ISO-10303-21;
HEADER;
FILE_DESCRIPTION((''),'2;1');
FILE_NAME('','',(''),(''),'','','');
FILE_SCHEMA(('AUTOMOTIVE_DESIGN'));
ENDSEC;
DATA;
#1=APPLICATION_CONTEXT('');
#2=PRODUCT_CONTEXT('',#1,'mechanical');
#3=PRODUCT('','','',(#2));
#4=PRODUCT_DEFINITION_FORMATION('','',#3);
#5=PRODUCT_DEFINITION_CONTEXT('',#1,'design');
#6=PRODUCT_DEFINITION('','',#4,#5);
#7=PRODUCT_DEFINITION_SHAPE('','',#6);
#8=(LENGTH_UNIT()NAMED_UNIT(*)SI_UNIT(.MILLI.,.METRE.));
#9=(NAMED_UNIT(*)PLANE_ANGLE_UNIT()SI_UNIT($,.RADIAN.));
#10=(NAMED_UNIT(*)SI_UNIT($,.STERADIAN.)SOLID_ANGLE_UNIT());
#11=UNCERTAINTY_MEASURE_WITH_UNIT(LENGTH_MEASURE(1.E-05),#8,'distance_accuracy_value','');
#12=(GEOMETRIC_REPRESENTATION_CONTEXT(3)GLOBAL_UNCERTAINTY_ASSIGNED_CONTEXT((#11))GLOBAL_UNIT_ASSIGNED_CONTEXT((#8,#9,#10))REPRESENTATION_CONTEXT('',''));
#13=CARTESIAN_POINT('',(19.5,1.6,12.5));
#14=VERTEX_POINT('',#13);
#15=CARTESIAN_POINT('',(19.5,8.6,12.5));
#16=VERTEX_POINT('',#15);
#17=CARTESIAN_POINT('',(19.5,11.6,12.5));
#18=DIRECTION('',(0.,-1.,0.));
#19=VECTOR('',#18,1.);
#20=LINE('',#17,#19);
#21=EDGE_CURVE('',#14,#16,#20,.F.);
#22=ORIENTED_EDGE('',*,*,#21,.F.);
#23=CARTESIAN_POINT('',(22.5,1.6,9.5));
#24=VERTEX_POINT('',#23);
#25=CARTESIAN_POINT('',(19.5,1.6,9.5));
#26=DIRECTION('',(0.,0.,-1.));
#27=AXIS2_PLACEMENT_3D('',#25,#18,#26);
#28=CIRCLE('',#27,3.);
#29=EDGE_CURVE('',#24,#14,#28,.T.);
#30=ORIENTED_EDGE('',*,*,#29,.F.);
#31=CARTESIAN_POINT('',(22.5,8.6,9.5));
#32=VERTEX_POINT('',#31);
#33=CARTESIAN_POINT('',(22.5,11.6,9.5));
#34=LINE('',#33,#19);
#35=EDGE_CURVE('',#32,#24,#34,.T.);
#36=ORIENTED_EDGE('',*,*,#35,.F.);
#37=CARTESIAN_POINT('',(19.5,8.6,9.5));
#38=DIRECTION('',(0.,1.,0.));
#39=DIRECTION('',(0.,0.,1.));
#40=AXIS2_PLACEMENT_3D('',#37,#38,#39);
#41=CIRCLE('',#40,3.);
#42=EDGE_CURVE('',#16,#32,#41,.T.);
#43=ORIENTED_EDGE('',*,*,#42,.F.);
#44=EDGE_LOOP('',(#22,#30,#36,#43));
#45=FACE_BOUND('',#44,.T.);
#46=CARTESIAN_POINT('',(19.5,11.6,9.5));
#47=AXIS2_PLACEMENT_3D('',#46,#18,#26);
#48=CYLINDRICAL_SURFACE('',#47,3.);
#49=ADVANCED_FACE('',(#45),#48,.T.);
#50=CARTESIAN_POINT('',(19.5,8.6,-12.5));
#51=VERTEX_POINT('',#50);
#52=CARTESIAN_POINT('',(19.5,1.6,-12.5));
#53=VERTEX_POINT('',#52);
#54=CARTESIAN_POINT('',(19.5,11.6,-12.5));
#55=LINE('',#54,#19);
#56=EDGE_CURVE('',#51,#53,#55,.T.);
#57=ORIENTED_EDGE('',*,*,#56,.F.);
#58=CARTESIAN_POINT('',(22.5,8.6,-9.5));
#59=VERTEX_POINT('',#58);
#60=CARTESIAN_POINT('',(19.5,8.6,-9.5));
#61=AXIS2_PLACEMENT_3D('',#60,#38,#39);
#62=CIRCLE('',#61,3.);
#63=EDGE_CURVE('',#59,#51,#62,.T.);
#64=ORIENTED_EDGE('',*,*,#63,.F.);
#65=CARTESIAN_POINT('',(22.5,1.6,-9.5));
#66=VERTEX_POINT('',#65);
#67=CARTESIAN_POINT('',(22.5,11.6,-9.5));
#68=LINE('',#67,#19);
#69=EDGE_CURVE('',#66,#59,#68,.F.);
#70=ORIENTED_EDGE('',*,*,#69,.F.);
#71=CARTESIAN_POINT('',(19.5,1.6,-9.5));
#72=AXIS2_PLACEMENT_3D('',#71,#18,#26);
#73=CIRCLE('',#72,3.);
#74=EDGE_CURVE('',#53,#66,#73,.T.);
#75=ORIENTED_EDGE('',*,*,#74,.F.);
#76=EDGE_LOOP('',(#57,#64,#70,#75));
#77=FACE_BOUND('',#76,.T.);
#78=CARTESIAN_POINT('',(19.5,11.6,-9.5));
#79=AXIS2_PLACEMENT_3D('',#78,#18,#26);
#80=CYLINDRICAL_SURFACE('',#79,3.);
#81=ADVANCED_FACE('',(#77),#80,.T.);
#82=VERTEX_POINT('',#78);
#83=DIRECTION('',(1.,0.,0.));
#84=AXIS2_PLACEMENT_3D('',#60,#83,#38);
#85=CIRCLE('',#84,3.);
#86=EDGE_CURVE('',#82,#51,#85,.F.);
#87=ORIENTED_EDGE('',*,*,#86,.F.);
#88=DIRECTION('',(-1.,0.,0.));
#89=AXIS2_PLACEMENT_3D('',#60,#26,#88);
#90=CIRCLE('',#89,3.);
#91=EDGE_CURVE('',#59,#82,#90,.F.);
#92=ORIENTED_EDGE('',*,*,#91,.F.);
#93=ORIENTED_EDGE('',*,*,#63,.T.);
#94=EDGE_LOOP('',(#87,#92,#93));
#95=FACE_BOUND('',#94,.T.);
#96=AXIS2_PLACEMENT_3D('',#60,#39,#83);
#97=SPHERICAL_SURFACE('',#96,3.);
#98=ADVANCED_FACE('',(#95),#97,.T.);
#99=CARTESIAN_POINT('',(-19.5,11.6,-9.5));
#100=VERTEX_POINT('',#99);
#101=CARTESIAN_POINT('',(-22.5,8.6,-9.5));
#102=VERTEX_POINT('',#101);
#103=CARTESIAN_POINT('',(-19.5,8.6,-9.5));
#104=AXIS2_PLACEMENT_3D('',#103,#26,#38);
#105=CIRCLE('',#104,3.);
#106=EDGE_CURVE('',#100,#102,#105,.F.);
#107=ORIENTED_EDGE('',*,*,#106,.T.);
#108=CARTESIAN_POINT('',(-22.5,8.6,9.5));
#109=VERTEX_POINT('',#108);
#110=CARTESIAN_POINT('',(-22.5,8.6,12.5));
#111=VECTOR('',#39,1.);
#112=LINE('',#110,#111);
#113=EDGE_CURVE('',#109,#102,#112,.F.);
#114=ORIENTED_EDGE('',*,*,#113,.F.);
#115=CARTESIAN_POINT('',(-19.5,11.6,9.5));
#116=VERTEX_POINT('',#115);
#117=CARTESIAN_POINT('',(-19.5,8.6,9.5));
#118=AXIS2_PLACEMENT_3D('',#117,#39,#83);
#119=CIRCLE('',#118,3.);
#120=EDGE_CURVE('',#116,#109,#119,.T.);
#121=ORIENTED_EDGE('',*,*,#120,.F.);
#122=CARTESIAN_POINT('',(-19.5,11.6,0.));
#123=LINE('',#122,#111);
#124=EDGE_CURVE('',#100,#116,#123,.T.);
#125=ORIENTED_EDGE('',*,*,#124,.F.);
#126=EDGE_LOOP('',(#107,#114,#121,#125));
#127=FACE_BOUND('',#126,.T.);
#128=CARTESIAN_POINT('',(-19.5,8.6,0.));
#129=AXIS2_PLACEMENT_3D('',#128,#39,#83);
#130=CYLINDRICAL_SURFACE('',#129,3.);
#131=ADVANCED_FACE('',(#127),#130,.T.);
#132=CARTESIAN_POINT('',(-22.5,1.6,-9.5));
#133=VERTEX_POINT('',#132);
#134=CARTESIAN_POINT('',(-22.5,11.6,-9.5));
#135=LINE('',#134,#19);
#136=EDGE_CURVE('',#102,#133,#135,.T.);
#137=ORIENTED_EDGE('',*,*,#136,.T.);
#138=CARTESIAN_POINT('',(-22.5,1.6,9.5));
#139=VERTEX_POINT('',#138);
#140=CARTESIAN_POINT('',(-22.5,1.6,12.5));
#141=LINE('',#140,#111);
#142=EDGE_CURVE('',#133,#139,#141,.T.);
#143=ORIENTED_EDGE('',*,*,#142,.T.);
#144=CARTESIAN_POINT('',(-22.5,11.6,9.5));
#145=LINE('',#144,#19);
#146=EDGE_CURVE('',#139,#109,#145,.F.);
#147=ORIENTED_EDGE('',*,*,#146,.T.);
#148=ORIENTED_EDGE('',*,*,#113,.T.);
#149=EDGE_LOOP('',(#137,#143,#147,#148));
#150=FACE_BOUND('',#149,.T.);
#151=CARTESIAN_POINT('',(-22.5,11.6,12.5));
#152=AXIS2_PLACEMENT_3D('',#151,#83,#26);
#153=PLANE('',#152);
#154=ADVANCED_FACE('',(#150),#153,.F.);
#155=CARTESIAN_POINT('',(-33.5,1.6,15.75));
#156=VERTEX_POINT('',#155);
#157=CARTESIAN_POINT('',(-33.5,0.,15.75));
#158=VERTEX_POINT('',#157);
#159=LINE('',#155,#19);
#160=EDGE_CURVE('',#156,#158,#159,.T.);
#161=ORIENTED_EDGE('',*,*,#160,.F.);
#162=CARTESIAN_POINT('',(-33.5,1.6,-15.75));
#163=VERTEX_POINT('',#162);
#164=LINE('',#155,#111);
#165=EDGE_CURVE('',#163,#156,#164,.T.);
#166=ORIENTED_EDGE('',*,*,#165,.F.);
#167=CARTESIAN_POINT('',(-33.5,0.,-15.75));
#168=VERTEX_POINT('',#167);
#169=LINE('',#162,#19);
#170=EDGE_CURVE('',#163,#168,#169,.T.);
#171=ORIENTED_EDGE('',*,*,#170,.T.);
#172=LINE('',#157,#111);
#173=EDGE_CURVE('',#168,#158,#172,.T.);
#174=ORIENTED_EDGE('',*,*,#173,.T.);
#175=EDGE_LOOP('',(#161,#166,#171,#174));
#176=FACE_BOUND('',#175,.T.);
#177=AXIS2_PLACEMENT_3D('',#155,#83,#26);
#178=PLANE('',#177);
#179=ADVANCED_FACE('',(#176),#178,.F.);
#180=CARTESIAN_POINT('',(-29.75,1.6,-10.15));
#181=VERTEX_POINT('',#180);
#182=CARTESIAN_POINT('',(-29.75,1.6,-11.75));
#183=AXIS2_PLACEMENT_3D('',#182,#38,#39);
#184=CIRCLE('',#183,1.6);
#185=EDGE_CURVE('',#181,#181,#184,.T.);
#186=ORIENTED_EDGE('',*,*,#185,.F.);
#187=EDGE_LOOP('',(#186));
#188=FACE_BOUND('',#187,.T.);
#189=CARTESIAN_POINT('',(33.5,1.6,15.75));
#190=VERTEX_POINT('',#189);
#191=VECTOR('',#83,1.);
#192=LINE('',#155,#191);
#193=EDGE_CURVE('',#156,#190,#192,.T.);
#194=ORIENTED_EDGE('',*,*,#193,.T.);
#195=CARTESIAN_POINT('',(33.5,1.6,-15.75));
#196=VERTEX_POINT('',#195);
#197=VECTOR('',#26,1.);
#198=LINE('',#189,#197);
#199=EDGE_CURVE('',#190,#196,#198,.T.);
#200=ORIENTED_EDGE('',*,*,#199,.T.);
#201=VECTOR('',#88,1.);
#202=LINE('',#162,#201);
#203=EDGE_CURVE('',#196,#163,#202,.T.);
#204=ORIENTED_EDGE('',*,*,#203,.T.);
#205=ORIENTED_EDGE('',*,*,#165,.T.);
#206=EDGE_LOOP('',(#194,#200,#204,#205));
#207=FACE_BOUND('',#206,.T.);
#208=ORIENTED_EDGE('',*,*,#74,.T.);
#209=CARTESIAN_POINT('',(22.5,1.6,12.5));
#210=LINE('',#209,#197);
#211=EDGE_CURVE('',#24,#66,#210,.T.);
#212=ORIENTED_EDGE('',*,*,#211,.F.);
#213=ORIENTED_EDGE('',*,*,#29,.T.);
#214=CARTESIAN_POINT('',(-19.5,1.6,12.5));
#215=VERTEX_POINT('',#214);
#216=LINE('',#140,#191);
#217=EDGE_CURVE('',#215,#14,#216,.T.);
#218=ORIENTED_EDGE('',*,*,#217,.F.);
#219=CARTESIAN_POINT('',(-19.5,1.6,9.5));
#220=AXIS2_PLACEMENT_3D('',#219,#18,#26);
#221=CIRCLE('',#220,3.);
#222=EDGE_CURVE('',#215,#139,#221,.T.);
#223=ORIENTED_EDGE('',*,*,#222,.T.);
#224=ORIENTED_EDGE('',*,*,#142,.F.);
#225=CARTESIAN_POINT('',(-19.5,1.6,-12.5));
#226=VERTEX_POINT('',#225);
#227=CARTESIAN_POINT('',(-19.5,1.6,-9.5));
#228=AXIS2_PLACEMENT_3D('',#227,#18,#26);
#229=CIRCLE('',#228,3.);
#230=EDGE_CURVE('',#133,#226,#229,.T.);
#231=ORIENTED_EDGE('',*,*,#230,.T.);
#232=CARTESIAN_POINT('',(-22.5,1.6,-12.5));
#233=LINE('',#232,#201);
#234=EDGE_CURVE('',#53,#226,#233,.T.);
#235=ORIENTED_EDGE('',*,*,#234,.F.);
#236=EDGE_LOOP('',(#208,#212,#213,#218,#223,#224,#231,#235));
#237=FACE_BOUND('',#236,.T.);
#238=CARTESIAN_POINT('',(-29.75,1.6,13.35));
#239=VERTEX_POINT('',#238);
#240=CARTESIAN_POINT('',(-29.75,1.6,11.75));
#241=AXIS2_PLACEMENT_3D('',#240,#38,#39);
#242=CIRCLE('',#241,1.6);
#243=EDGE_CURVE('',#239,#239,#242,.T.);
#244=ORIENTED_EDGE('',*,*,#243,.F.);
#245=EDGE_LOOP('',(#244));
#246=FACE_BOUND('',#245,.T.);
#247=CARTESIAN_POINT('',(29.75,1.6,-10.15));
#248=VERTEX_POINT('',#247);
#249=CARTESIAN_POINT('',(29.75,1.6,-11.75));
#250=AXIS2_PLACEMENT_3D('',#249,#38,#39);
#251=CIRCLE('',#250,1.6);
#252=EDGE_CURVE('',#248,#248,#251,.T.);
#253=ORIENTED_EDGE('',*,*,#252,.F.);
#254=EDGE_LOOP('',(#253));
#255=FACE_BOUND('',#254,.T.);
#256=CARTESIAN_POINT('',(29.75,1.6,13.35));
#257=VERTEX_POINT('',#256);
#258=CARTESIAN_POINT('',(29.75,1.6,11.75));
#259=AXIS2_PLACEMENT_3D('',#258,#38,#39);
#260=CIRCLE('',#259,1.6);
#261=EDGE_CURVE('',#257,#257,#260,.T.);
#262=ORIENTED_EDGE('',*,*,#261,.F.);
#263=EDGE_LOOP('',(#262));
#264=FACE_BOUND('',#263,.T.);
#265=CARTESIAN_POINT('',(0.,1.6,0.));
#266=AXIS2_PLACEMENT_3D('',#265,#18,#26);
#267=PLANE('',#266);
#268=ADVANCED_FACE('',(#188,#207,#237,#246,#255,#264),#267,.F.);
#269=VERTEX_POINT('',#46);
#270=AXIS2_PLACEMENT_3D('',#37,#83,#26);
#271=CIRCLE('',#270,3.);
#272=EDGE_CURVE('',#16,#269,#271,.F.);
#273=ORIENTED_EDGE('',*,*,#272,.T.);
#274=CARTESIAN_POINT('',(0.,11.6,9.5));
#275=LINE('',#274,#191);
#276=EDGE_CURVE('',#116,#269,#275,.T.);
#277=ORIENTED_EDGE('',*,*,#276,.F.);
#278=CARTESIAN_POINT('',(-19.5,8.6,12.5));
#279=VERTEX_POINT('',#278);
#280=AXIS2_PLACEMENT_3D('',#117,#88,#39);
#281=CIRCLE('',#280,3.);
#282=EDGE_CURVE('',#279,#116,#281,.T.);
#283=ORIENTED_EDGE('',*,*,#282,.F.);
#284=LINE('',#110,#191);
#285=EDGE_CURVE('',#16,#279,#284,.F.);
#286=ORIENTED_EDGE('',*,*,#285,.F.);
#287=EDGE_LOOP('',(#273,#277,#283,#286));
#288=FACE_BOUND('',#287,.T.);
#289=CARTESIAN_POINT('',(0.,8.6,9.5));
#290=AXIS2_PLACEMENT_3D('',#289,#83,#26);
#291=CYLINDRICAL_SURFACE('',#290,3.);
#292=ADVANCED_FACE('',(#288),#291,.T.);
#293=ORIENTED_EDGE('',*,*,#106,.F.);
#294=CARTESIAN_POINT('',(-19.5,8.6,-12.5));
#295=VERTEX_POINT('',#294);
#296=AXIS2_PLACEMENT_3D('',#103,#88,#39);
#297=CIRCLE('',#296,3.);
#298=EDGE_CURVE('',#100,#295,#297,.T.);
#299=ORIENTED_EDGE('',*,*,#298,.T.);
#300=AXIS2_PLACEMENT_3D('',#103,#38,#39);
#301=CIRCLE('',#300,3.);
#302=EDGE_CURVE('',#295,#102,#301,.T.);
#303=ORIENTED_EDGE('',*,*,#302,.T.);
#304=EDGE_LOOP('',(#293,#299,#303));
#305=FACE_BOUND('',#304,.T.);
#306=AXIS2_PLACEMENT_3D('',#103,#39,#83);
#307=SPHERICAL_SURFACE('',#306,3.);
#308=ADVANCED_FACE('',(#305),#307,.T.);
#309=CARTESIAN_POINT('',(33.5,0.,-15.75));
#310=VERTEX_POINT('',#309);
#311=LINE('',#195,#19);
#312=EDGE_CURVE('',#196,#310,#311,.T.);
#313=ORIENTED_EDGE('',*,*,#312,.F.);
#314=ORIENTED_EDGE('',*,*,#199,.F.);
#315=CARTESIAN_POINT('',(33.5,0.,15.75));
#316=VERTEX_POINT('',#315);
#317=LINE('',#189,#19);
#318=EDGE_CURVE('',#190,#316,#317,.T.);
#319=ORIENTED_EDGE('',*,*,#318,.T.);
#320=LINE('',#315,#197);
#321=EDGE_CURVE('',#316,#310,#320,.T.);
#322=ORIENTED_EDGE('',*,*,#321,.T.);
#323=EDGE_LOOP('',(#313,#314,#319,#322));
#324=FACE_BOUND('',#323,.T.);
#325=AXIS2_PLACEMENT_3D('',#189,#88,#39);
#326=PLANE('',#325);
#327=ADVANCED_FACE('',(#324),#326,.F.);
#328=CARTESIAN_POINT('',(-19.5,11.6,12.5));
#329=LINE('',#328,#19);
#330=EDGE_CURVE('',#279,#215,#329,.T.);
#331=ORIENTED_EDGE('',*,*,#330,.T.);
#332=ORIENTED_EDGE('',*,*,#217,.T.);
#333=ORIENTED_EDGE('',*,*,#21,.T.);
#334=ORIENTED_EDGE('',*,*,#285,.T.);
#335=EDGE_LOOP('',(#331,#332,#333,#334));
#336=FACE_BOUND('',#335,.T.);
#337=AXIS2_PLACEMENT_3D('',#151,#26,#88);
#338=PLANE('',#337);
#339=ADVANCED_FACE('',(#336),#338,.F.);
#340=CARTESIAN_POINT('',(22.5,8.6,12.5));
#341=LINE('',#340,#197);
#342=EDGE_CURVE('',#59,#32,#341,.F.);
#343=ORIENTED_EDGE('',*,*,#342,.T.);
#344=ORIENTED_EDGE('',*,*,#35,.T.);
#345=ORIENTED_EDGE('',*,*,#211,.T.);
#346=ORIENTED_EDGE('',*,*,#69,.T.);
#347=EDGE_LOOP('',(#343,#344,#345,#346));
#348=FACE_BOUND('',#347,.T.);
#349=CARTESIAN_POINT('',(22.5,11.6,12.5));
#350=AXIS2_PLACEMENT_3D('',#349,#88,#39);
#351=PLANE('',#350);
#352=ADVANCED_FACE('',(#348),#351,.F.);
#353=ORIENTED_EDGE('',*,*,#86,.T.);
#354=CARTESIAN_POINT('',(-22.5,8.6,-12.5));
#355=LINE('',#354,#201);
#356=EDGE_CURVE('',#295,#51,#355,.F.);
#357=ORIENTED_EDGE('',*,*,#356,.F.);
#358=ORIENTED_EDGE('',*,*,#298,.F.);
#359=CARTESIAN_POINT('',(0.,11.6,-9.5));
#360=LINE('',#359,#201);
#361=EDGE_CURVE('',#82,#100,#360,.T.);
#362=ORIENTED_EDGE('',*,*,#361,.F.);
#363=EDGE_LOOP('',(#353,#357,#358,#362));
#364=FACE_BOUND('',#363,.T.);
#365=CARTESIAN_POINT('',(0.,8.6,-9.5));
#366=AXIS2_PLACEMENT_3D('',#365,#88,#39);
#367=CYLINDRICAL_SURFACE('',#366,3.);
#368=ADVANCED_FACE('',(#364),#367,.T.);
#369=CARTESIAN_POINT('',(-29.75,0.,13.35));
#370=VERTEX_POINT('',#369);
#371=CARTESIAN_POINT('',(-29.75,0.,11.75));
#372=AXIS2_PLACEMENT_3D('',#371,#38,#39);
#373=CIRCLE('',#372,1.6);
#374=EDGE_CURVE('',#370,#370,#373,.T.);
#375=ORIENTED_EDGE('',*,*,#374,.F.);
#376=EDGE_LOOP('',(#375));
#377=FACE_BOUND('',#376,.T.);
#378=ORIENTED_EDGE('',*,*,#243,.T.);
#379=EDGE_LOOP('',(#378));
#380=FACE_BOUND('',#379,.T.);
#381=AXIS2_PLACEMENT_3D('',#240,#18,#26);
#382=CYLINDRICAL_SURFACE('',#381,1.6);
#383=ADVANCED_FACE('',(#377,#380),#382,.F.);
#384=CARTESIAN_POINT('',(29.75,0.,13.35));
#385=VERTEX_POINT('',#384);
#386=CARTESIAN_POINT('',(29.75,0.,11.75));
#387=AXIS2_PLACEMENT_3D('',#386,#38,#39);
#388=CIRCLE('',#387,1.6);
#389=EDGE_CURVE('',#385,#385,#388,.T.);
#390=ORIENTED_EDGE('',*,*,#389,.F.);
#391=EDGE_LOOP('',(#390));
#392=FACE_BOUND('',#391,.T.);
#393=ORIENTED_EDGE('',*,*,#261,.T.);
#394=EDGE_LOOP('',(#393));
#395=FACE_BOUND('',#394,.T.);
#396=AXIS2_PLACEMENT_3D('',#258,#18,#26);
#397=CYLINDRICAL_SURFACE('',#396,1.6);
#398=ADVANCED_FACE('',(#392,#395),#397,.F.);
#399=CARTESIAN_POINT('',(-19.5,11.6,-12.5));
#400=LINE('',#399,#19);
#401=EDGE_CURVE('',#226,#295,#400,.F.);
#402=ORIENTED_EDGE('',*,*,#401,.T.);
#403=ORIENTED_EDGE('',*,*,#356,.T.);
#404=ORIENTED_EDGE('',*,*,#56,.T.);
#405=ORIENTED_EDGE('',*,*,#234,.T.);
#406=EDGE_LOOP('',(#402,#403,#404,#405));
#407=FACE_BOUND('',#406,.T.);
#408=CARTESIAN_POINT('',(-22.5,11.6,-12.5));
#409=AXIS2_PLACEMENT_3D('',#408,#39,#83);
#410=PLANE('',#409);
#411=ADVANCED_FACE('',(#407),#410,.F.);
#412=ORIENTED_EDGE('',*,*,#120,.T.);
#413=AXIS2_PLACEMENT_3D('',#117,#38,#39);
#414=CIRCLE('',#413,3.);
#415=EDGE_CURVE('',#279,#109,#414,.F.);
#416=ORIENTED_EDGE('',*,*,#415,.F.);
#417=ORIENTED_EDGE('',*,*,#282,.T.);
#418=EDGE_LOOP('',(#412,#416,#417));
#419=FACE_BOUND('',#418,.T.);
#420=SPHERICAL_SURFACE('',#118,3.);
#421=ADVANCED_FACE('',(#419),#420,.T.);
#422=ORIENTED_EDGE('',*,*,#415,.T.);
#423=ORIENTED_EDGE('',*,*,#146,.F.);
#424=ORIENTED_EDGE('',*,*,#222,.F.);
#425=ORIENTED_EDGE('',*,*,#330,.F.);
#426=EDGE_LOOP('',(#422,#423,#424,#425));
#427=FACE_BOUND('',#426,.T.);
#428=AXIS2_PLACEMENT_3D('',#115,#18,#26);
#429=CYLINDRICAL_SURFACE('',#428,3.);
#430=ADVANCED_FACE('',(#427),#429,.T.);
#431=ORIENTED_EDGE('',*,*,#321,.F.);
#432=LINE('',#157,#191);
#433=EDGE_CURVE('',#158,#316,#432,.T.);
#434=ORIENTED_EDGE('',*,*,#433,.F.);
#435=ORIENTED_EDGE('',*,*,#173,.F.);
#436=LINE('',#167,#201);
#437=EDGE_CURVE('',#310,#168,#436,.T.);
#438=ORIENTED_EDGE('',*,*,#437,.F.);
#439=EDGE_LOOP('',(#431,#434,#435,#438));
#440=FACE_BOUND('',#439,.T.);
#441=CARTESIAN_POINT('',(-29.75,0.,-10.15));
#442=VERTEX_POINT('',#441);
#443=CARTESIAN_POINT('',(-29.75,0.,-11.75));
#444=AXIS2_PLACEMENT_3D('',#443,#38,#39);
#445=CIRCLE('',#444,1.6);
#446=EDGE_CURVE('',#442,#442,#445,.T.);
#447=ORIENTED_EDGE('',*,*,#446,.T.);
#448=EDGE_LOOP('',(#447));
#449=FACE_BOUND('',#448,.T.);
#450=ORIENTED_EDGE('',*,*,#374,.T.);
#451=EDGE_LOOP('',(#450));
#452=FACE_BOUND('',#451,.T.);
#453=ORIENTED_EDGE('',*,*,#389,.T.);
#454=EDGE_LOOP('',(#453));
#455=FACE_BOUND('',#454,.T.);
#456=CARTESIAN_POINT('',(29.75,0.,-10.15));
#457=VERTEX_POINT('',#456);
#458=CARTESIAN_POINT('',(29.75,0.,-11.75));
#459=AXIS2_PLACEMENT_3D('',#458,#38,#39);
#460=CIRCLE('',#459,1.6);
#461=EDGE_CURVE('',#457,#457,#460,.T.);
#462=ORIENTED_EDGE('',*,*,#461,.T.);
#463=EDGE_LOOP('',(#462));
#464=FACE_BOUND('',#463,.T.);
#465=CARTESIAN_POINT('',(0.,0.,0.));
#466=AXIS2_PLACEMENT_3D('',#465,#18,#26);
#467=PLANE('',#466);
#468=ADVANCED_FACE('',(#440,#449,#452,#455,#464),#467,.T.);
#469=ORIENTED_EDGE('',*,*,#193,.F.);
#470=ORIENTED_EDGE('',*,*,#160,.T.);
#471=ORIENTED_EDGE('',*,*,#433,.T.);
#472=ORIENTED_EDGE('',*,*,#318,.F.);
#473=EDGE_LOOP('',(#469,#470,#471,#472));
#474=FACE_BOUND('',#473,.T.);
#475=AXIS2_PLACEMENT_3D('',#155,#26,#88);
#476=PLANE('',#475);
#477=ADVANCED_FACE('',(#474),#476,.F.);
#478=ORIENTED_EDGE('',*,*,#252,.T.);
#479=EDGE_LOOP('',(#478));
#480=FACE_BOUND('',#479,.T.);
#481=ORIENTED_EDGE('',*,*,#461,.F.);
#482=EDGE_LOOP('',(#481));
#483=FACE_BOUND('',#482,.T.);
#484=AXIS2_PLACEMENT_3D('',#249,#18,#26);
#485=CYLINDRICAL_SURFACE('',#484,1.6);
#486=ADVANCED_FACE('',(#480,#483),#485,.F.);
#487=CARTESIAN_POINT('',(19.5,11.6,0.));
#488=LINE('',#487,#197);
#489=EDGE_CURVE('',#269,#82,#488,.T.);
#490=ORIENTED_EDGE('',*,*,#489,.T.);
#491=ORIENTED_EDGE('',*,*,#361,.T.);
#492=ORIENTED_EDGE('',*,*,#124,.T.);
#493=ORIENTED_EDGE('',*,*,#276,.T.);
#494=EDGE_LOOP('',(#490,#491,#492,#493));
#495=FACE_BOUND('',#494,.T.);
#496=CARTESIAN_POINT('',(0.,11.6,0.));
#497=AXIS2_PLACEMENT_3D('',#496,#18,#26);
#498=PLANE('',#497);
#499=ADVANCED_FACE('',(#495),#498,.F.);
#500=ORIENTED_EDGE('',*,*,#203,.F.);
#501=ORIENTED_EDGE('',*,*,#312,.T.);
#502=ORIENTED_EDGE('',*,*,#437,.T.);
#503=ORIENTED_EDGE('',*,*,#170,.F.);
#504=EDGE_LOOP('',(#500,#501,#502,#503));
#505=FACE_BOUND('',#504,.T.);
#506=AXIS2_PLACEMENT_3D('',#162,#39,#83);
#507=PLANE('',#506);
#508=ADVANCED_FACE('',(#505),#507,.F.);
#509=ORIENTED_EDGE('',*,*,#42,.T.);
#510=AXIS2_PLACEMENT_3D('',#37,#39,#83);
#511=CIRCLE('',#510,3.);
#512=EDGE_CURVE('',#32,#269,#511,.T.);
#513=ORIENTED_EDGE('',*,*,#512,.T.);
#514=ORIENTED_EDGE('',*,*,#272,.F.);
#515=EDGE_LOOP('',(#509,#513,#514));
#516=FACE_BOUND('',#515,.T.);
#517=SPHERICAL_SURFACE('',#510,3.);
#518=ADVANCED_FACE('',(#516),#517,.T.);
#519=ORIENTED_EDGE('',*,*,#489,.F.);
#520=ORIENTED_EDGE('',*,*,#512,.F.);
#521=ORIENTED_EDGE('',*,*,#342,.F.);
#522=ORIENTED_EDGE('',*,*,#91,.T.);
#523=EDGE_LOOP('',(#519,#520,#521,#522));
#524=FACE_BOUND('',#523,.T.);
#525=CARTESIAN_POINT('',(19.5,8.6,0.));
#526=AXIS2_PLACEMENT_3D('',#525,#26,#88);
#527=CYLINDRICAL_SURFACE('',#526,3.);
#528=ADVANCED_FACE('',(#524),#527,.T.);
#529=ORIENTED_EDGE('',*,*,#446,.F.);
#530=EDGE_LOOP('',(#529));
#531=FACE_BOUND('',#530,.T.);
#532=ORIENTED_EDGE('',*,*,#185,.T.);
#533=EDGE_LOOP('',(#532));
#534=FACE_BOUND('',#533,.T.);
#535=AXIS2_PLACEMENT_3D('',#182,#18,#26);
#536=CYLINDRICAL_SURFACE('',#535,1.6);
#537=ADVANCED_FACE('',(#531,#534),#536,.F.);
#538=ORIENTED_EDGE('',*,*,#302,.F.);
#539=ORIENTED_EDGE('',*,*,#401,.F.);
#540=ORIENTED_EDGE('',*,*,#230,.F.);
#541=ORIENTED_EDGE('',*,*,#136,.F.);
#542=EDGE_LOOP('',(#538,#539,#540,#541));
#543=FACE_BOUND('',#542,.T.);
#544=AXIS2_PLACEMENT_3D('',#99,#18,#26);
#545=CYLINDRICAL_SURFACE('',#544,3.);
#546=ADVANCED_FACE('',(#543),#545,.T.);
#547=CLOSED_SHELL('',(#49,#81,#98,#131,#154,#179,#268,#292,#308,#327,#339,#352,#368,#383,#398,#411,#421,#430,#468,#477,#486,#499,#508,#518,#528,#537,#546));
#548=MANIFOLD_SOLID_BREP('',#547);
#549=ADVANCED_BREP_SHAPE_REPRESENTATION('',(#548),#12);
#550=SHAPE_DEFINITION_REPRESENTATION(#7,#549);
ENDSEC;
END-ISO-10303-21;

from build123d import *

# Parameters (mm, degrees)
SKETCH_1_W      = 67
SKETCH_1_H      = 31.5
SKETCH_1_R      = 1.6
EXTRUDE_1_DEPTH = 1.6
SKETCH_2_W      = 45
SKETCH_2_H      = 25
EXTRUDE_2_DEPTH = 10
FILLET_1_R      = 3


with BuildPart() as part:
    # 草圖1 → 填料-伸長1 (new body)
    with BuildSketch(Plane(origin=(0, 0, 0), x_dir=(1, 0, 0), z_dir=(0, 1, 0))):
        Rectangle(SKETCH_1_W, SKETCH_1_H)
        with Locations(Location((-29.75, 11.75, 0), (0, 0, 270))):
            Circle(SKETCH_1_R, mode=Mode.SUBTRACT)
        with Locations(Location((-29.75, -11.75, 0), (0, 0, 270))):
            Circle(SKETCH_1_R, mode=Mode.SUBTRACT)
        with Locations(Location((29.75, -11.75, 0), (0, 0, 270))):
            Circle(SKETCH_1_R, mode=Mode.SUBTRACT)
        with Locations(Location((29.75, 11.75, 0), (0, 0, 270))):
            Circle(SKETCH_1_R, mode=Mode.SUBTRACT)
    extrude(amount=EXTRUDE_1_DEPTH)

    # 草圖2 → 填料-伸長2 (add)
    with BuildSketch(Plane(origin=(0, 1.6, 0), x_dir=(1, 0, 0), z_dir=(0, 1, 0))):
        Rectangle(SKETCH_2_W, SKETCH_2_H)
    extrude(amount=EXTRUDE_2_DEPTH)

    # 圓角1
    fillet_1_edges = [part.edges().sort_by_distance(p)[0] for p in [
        (22.5, 6.6, 12.5),
        (22.5, 6.6, -12.5),
        (-22.5, 6.6, -12.5),
        (-22.5, 6.6, 12.5),
        (22.5, 11.6, 0),
        (0, 11.6, -12.5),
        (-22.5, 11.6, 0),
        (0, 11.6, 12.5),
    ]]
    fillet(fillet_1_edges, radius=FILLET_1_R)


solid = part.part
